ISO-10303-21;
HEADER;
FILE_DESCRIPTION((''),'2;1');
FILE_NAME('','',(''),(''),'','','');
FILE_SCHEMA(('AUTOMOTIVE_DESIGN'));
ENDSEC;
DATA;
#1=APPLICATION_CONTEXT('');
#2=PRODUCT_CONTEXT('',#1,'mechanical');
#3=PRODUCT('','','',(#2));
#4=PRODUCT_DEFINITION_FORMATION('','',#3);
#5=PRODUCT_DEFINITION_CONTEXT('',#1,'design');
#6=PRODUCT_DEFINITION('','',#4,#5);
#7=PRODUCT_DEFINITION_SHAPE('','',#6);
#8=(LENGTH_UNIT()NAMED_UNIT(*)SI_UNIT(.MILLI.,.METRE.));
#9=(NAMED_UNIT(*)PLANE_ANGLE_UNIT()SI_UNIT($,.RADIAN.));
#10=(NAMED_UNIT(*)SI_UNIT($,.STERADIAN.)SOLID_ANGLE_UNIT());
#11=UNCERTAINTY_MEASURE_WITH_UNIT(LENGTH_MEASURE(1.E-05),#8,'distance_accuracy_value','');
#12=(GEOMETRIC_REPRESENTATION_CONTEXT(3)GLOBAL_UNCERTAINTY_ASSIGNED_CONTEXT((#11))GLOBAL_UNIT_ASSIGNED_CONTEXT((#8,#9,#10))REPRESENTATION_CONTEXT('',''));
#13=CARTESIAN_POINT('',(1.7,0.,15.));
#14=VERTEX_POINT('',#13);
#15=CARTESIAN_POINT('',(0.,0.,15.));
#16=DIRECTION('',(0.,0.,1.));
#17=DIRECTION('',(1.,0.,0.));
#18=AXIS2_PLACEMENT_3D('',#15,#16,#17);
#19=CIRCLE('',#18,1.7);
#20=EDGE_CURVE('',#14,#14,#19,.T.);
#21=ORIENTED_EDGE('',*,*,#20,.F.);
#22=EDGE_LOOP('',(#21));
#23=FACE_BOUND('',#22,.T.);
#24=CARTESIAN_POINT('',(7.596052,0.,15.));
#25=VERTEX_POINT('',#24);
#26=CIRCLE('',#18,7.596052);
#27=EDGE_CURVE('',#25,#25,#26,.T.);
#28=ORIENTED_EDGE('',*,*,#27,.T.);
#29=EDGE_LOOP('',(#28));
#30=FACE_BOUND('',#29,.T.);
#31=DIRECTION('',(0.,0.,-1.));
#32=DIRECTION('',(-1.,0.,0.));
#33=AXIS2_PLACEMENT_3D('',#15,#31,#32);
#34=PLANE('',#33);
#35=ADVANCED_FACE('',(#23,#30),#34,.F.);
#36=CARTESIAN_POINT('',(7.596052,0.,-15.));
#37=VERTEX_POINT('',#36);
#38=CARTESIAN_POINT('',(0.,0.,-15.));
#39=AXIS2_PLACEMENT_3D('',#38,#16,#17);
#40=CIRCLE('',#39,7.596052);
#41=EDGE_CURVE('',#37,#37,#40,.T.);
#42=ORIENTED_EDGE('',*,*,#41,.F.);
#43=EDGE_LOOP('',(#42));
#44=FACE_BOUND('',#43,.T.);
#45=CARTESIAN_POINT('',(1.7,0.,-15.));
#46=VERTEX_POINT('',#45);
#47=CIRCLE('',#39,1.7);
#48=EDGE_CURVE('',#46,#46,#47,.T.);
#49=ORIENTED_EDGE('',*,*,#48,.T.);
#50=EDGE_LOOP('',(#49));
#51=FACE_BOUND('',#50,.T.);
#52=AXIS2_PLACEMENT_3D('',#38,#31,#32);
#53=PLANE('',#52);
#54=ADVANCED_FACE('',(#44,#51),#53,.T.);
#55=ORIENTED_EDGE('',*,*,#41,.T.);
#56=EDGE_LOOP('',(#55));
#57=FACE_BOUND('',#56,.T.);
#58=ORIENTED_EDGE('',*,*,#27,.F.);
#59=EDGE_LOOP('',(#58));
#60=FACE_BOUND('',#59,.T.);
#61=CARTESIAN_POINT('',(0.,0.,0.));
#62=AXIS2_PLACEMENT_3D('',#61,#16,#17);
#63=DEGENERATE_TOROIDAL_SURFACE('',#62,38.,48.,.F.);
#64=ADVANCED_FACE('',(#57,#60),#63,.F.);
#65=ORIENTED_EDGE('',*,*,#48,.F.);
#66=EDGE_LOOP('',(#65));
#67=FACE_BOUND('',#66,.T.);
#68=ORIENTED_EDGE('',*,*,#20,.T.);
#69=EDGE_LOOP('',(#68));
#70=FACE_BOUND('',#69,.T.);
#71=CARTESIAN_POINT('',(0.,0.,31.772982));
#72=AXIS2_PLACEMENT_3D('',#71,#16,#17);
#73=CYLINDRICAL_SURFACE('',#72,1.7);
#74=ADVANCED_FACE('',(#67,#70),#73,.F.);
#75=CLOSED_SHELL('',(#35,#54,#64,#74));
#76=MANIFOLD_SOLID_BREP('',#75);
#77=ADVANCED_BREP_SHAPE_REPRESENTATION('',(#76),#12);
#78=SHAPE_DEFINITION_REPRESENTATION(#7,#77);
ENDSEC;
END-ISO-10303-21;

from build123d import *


with BuildPart() as part:
    # Skizze1 → Rotation3 (revolve)
    with BuildSketch(Plane(origin=(0, 0, 0), x_dir=(0, 0, -1), z_dir=(1, 0, 0)), mode=Mode.PRIVATE) as rotation3_sk:
        with BuildLine():
            ThreePointArc((15, 7.596052461), (0, 10), (-15, 7.596052461))
            Line((-15, 7.596052461), (-15, 1.7))
            Line((-15, 1.7), (15, 1.7))
            Line((15, 1.7), (15, 7.596052461))
        make_face()
    revolve(rotation3_sk.sketch.rotate(Axis((0, 0, 31.772981832), (0, 0, -1)), 90), axis=Axis((0, 0, 31.772981832), (0, 0, -1)))


solid = part.part
